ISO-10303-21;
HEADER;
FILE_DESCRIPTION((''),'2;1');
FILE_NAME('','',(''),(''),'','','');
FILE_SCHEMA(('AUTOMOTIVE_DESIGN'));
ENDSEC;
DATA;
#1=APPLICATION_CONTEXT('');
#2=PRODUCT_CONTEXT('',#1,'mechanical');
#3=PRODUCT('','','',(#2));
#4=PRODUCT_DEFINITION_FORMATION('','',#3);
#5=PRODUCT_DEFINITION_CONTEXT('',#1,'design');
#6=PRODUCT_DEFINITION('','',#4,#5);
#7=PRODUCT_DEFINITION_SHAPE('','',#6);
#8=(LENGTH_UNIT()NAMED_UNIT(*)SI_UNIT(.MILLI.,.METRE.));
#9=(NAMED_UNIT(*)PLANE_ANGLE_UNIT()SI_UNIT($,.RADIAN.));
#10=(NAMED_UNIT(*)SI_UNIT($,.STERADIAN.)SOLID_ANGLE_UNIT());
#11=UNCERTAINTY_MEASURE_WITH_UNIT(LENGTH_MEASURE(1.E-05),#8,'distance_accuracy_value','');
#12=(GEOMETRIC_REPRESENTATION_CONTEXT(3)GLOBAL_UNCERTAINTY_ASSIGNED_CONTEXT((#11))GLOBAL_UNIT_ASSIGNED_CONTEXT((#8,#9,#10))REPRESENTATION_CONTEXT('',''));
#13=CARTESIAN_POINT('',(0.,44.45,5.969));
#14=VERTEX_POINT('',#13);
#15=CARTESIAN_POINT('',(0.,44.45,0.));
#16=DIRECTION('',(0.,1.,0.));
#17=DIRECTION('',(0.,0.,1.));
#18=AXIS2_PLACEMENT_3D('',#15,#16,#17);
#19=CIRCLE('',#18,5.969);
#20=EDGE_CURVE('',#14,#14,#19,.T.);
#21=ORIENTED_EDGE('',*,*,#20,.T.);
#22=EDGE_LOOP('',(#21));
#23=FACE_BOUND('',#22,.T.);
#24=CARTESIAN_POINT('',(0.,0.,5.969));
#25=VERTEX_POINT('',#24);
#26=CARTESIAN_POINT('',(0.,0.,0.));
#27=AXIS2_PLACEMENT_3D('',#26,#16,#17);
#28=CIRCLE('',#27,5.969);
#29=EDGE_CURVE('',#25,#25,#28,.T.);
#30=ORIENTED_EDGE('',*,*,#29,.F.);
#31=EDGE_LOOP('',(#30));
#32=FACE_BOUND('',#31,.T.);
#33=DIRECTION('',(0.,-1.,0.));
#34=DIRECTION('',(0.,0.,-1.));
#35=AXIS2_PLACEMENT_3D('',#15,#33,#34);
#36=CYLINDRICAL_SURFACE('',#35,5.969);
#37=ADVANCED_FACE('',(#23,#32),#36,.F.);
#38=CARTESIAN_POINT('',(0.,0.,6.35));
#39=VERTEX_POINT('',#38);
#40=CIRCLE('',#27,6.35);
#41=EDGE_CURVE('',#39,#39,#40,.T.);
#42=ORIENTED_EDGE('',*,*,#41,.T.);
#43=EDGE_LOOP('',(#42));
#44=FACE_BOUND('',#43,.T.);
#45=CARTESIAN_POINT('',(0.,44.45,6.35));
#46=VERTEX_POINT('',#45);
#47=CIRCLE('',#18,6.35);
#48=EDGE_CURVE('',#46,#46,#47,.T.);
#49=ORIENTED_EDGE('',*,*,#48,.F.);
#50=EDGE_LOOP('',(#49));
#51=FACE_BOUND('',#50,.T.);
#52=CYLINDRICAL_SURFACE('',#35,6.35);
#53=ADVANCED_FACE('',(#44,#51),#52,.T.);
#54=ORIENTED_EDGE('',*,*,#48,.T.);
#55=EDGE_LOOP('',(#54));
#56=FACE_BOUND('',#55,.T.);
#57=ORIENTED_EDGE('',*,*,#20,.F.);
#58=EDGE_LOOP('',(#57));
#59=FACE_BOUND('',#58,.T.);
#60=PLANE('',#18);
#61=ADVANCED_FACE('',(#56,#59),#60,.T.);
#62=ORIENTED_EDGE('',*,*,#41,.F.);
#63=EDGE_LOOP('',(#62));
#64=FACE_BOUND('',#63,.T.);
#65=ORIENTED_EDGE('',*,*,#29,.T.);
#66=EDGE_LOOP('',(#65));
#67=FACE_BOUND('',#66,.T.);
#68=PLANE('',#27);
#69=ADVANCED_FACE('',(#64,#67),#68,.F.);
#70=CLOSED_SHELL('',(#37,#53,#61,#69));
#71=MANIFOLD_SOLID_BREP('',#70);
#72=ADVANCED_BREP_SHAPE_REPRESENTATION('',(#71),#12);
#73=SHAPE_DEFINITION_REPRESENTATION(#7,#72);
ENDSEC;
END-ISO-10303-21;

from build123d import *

# Parameters (mm, degrees)
SKETCH1_R           = 6.35
SKETCH1_R_2         = 5.969
BOSS_EXTRUDE1_DEPTH = 44.45


with BuildPart() as part:
    # Sketch1 → Boss-Extrude1 (new body)
    with BuildSketch(Plane(origin=(0, 0, 0), x_dir=(1, 0, 0), z_dir=(0, 1, 0))):
        Circle(SKETCH1_R)
        Circle(SKETCH1_R_2, mode=Mode.SUBTRACT)
    extrude(amount=BOSS_EXTRUDE1_DEPTH)


solid = part.part
